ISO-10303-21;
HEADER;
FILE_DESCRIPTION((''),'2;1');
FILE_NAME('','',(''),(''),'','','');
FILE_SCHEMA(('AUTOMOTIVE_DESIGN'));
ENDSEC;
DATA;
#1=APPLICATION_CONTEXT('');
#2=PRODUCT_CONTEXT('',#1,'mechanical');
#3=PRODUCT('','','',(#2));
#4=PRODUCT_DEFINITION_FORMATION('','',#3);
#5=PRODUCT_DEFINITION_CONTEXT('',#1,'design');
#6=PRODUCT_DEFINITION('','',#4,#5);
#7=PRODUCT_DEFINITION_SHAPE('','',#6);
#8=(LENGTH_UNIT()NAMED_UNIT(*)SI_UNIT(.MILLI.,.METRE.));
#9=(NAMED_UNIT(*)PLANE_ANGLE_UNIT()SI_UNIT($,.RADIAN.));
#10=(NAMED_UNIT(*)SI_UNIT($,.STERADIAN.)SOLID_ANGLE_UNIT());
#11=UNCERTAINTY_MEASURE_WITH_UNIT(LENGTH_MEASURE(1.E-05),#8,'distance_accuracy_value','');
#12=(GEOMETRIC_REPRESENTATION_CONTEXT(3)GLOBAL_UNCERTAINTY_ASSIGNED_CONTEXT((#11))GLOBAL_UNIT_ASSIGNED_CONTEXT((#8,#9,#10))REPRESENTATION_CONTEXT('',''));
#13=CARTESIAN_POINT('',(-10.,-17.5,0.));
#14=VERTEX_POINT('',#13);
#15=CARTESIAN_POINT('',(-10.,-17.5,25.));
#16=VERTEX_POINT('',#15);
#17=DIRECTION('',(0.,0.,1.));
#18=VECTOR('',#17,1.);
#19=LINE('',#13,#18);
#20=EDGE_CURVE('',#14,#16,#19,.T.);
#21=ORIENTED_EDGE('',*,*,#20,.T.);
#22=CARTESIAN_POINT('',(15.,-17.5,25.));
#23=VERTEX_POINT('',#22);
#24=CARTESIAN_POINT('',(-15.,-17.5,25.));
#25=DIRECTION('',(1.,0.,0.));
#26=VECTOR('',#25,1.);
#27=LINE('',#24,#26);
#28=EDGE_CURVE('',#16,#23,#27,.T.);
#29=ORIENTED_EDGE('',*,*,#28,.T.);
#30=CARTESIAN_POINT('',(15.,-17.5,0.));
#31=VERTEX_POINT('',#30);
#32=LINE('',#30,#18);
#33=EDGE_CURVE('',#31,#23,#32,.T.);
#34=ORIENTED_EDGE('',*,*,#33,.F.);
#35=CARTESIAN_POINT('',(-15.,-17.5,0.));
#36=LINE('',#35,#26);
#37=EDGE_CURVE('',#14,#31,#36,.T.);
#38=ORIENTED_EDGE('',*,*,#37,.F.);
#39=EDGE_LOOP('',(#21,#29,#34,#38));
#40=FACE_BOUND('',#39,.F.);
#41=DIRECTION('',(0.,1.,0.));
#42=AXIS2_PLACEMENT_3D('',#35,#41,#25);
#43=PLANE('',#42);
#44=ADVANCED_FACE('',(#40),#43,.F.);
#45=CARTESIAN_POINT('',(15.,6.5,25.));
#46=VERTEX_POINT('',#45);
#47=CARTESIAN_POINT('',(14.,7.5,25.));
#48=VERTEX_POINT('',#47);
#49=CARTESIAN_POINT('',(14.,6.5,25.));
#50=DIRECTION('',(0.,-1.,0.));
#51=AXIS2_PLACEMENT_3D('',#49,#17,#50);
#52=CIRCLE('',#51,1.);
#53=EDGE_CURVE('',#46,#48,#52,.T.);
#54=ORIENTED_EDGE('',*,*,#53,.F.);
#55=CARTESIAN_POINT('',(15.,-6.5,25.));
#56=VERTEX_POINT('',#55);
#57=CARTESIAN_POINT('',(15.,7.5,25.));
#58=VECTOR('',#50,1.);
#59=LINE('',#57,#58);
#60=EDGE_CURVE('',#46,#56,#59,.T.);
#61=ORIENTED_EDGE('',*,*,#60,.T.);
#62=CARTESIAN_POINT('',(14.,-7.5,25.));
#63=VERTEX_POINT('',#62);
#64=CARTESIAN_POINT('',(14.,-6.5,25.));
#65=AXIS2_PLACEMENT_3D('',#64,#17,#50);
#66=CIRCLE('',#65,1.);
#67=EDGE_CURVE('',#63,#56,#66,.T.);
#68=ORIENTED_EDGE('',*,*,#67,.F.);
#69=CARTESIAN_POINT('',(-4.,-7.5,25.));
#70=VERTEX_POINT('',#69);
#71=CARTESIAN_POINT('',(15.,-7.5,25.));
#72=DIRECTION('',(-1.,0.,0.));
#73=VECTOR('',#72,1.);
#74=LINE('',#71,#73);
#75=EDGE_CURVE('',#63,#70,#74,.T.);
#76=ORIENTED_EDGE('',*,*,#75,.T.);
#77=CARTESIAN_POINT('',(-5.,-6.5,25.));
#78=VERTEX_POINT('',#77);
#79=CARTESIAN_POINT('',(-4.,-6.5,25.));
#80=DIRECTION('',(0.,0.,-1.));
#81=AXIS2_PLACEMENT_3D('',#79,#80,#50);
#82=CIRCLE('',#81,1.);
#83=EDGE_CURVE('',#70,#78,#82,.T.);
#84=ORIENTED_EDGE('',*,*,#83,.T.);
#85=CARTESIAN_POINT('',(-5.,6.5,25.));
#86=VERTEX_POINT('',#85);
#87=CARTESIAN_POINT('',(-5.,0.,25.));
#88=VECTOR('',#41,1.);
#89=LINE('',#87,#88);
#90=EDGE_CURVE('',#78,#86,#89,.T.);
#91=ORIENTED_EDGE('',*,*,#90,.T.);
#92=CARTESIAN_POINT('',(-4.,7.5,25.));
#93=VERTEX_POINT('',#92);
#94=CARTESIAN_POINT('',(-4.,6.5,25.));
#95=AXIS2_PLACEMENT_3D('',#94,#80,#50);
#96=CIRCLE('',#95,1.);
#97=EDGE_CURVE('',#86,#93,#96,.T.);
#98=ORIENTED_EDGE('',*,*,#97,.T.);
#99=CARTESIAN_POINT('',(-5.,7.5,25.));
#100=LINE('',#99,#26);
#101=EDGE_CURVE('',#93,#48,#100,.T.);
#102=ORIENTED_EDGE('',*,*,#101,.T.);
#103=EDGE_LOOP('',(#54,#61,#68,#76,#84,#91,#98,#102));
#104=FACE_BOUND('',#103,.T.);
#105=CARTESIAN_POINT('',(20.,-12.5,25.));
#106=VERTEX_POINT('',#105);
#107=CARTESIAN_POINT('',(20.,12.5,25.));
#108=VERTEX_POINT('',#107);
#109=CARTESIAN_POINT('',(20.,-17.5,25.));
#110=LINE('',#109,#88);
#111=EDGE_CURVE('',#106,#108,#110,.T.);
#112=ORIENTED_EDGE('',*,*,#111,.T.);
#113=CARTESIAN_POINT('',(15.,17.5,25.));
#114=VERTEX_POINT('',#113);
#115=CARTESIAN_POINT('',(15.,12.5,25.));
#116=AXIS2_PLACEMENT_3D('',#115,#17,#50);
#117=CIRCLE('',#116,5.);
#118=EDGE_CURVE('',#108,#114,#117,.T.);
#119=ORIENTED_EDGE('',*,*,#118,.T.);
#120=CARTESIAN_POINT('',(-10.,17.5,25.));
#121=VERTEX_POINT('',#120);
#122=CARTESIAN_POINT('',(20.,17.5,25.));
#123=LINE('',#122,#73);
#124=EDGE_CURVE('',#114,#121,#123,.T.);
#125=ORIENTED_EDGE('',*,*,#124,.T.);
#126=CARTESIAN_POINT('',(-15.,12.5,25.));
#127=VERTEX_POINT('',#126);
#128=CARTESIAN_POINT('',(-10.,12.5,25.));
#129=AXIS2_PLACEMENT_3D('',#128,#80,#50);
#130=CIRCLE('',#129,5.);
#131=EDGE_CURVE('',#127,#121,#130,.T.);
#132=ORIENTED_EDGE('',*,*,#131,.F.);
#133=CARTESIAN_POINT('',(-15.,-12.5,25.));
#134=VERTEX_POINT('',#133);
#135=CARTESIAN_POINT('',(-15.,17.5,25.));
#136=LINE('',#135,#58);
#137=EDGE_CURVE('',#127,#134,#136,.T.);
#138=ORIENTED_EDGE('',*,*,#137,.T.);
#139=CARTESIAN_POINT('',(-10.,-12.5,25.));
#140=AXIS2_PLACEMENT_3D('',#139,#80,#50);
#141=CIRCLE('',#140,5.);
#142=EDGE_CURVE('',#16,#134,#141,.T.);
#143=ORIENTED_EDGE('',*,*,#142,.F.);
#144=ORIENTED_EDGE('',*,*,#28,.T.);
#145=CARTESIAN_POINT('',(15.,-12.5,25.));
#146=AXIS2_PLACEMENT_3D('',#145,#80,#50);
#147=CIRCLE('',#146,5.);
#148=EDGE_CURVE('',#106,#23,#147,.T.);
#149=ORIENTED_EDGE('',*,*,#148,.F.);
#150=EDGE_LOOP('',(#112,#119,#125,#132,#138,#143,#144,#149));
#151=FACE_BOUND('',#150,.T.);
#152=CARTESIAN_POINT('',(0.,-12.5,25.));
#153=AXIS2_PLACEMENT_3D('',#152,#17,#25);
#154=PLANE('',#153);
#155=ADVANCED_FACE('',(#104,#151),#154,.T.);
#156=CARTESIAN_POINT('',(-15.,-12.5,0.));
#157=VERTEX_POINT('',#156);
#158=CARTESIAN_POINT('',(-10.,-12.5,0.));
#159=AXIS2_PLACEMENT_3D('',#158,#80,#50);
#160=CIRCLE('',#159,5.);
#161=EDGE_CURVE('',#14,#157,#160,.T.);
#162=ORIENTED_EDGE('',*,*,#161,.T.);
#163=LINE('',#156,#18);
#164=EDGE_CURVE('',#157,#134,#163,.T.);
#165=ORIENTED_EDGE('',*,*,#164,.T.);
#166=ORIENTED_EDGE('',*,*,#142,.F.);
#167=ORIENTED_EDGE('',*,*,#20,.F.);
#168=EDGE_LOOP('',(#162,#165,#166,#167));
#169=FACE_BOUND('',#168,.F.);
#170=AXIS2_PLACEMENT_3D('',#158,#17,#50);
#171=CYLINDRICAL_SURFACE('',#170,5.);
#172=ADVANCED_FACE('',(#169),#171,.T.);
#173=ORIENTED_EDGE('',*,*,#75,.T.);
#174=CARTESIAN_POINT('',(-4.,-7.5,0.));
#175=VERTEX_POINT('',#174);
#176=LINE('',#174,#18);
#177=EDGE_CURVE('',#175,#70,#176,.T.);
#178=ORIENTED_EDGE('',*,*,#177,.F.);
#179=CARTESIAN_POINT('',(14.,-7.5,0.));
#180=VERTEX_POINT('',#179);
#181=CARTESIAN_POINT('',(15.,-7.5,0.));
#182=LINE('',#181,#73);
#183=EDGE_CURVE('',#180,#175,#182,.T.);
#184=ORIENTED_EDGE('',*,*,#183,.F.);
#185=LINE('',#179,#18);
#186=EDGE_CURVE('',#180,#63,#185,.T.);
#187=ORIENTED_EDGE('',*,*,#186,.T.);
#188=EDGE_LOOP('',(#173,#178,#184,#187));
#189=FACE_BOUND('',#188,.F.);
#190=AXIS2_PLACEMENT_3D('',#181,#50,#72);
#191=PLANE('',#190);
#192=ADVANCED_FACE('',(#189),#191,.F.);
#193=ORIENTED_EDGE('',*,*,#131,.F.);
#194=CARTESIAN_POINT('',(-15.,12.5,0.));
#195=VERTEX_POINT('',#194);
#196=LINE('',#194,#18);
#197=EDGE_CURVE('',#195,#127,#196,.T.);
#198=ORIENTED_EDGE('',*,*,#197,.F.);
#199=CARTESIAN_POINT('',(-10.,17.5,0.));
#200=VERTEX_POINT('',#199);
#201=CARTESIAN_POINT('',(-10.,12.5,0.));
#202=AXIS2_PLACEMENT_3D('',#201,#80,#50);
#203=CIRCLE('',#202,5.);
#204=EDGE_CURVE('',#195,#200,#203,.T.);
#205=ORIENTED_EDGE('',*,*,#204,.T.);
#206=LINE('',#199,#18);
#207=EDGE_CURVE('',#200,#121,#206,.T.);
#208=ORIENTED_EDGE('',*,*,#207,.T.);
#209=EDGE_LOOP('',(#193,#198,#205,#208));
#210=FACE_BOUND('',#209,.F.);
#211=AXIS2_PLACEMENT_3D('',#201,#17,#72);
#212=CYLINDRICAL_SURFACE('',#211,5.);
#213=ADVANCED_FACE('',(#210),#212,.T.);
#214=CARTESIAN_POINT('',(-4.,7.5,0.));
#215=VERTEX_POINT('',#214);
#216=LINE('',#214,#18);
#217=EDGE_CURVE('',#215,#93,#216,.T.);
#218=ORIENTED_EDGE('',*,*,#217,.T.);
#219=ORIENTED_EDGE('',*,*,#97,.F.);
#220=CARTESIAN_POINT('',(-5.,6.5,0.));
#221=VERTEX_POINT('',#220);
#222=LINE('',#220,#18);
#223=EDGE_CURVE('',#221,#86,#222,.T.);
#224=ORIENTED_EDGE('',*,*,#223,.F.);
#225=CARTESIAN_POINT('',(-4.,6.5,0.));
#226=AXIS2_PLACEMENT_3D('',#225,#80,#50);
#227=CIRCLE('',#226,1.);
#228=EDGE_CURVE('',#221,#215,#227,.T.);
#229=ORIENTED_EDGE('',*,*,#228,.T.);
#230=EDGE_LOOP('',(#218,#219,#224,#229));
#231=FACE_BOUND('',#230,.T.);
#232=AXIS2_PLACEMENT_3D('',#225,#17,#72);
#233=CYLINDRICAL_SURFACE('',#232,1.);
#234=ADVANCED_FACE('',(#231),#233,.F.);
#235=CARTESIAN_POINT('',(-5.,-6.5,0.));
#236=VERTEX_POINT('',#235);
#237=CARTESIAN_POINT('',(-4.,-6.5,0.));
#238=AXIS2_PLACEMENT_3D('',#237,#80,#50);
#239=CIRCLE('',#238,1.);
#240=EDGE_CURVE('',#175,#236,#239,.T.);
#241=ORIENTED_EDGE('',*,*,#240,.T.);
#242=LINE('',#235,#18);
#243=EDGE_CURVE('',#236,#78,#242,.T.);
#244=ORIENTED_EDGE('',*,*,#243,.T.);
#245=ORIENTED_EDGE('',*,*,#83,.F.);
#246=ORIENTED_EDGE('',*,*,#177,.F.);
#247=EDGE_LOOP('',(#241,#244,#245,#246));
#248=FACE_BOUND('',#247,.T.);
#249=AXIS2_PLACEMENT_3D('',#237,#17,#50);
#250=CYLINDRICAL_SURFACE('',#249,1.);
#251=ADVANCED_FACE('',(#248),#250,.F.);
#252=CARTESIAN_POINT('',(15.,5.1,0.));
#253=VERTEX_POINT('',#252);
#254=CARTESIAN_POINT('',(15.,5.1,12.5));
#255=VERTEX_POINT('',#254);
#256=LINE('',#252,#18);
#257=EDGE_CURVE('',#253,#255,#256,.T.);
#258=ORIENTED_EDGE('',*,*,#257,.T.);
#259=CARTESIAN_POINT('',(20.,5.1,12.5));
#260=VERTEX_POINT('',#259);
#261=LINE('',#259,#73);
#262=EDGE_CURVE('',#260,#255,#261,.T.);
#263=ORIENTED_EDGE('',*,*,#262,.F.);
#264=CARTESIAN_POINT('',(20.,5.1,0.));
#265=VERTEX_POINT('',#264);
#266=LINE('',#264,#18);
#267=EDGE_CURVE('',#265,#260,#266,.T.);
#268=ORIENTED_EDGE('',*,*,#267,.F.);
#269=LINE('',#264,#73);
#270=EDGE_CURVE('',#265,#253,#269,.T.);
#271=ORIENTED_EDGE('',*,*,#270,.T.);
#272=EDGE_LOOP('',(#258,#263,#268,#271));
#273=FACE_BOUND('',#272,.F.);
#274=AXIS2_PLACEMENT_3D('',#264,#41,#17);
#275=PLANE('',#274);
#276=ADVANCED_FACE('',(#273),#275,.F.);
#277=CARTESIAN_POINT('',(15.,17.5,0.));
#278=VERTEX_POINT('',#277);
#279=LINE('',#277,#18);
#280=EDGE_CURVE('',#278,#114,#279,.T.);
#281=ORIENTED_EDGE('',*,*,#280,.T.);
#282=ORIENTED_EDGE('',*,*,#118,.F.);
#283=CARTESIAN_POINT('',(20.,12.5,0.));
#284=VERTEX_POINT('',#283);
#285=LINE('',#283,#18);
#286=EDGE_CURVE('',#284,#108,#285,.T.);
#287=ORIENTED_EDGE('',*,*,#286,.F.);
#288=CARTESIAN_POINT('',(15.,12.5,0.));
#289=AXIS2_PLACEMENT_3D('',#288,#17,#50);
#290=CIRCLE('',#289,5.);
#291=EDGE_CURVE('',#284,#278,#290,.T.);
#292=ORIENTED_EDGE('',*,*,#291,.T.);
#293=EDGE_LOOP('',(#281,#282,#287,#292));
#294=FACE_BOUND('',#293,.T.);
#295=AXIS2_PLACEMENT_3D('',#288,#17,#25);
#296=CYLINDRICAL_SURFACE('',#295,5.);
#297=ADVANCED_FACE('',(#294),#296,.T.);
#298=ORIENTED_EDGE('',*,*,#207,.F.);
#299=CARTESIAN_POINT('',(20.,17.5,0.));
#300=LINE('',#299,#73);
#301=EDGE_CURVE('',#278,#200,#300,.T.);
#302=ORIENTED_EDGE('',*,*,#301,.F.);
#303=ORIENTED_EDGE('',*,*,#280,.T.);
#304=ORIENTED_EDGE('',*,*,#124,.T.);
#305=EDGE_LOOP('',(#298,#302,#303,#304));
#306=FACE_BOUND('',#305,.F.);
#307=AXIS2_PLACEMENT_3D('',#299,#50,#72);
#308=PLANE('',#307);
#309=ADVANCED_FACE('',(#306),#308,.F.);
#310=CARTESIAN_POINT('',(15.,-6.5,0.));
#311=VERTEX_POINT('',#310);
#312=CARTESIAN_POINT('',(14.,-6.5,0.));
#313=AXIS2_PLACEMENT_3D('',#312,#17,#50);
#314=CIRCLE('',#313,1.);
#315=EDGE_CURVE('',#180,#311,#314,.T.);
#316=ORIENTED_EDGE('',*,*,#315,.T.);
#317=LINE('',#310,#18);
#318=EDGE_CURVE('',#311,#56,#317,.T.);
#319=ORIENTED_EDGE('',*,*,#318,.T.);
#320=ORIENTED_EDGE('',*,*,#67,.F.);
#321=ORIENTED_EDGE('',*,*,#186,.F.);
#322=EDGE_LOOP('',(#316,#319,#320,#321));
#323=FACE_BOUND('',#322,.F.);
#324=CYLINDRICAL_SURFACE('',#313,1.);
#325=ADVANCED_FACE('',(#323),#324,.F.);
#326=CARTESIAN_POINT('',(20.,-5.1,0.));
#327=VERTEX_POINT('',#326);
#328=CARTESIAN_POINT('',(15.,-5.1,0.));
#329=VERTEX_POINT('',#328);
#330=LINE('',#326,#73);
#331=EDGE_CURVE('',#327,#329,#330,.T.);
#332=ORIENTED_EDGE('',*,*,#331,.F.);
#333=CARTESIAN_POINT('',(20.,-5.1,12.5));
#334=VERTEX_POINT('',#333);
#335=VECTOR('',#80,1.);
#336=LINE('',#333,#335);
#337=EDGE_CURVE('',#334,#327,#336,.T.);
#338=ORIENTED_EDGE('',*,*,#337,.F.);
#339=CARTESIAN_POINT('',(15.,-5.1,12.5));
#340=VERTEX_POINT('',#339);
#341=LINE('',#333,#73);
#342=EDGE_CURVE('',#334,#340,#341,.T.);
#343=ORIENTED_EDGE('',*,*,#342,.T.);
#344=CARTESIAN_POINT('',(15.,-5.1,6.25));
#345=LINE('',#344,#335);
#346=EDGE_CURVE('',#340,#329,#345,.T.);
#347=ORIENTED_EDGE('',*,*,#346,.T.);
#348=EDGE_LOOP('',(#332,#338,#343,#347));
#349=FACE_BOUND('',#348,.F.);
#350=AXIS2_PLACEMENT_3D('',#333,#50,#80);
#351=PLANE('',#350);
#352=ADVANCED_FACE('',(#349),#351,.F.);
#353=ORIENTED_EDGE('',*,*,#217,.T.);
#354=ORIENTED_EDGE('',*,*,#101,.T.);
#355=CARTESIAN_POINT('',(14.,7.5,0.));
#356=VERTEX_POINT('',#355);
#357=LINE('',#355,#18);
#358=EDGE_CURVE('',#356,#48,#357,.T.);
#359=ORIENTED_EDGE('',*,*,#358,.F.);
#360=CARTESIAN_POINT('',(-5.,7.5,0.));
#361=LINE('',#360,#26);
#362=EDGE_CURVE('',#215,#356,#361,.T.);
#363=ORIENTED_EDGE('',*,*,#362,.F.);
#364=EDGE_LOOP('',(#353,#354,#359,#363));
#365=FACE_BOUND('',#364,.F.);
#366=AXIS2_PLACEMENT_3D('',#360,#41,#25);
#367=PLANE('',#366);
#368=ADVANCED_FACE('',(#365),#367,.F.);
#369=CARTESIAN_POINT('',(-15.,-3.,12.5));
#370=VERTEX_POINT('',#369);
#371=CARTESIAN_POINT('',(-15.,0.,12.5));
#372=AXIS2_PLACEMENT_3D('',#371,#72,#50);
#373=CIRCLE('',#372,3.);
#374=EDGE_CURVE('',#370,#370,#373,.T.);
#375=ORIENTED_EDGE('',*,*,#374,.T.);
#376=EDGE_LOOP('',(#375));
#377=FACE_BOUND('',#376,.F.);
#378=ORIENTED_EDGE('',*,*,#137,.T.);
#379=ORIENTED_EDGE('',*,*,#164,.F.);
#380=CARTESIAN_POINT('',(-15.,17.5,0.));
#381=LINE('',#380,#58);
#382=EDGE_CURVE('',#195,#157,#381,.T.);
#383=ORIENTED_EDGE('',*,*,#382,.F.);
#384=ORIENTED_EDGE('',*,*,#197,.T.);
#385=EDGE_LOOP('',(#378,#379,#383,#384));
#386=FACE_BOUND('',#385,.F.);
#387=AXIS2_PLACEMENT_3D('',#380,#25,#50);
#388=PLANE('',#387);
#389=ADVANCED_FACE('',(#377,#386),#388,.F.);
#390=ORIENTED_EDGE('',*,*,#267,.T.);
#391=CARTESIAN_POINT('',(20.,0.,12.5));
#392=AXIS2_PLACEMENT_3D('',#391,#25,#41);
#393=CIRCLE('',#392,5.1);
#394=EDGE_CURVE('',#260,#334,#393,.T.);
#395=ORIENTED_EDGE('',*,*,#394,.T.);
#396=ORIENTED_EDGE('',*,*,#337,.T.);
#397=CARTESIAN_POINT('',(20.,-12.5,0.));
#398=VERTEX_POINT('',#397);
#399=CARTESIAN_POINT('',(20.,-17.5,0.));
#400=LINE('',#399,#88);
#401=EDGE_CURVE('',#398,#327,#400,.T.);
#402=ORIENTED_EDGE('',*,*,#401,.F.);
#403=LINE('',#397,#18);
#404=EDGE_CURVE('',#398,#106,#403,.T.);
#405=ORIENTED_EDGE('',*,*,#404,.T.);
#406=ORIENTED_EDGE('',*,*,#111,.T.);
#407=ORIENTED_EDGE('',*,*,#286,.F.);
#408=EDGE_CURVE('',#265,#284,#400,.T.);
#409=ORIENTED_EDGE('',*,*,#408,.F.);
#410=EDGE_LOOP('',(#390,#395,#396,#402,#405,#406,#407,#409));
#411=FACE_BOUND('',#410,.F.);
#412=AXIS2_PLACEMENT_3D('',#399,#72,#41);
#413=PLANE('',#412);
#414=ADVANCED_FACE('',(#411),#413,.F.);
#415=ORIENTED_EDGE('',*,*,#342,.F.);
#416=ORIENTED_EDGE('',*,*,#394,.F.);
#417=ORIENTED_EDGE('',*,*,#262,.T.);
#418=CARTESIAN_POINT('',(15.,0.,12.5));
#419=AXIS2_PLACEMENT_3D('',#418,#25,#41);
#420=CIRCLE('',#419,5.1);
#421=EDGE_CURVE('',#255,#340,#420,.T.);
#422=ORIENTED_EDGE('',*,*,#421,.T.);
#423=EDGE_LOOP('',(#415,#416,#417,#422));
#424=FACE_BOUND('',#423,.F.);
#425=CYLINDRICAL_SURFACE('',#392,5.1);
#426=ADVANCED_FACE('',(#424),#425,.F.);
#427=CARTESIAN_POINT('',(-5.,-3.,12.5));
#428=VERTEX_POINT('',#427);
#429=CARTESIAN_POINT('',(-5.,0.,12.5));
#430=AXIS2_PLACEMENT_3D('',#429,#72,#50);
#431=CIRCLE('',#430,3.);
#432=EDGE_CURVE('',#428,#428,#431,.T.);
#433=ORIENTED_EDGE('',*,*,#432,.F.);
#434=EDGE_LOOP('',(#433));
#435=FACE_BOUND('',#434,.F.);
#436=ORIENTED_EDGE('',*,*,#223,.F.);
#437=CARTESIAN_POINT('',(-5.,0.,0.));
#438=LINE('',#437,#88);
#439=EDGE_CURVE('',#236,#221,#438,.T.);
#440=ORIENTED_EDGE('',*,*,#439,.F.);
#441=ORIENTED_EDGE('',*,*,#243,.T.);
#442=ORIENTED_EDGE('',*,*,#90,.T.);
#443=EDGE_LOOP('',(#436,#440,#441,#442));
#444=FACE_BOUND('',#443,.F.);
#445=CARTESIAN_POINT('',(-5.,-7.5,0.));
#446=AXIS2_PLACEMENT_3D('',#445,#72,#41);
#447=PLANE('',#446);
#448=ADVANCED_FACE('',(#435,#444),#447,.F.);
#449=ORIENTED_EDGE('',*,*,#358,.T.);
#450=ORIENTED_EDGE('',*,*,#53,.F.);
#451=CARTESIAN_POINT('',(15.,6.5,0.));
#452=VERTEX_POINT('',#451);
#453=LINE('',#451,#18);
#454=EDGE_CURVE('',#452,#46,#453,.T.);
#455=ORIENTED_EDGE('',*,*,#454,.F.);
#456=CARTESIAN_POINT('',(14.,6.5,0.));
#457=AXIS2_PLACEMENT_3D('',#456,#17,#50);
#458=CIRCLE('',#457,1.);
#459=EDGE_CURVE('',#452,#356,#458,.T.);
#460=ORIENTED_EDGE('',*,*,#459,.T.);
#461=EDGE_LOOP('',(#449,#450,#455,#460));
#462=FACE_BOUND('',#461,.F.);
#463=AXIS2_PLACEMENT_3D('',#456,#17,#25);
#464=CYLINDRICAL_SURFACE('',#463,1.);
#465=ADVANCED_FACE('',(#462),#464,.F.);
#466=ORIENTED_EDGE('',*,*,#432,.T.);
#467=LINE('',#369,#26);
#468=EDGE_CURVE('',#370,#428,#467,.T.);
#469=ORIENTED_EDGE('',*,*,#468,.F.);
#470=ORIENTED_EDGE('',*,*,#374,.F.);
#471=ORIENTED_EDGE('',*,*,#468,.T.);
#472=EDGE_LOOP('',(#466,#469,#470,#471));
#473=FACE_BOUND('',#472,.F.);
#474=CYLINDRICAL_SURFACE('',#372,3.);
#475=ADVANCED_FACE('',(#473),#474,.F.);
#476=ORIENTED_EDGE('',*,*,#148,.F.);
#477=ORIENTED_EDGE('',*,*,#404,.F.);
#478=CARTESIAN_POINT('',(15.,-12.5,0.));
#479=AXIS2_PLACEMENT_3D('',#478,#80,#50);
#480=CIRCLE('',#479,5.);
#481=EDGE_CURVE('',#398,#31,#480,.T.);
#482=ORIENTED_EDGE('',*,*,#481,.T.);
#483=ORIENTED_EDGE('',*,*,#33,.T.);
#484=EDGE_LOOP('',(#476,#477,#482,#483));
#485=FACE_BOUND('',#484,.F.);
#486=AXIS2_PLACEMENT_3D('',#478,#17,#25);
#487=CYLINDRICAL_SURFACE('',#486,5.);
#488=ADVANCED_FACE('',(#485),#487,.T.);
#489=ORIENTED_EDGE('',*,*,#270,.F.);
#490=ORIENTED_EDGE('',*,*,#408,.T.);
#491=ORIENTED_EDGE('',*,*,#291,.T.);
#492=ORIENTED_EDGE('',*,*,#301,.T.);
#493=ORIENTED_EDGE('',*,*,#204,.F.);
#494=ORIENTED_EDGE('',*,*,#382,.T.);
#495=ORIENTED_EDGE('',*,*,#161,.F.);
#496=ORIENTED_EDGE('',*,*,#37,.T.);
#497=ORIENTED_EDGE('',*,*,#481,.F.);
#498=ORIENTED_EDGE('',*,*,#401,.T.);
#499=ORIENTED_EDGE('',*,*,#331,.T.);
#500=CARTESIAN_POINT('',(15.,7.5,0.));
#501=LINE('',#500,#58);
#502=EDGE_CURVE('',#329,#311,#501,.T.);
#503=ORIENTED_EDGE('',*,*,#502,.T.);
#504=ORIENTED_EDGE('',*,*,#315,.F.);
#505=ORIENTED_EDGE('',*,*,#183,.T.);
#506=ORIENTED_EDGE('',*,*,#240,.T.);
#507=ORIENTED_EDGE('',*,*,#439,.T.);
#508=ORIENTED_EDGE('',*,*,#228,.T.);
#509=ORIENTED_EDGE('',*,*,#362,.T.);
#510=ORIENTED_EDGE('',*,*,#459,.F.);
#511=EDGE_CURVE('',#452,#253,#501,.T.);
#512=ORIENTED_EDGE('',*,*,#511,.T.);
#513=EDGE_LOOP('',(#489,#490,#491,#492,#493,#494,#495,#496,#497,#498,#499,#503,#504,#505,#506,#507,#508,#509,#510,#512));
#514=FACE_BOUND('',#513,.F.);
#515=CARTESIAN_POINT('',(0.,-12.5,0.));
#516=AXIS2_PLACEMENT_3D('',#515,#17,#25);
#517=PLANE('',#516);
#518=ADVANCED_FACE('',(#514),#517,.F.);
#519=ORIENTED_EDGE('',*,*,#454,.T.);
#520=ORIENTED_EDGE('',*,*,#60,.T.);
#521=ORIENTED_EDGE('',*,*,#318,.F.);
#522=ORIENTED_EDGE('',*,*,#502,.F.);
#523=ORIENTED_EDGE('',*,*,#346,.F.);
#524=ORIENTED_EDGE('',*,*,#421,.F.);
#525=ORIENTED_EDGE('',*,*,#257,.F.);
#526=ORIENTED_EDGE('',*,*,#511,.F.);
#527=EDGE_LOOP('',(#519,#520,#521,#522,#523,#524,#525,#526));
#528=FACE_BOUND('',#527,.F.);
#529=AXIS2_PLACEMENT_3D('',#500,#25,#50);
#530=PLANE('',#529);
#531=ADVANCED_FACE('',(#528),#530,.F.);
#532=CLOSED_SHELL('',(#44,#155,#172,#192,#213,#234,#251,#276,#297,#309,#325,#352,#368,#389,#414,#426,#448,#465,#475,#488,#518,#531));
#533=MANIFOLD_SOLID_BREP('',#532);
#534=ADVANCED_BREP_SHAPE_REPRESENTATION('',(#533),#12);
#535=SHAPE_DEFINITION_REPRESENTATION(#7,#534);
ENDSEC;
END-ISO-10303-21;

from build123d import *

# Parameters (mm, degrees)
F0_W     = 10
F0_H     = 15
F0_W_2   = 5
F0_H_2   = 10.2
F1_DEPTH = 25
F3_DEPTH = 15
F4_R     = 3
F5_DEPTH = 25
F6_R     = 1
F7_R     = 5


with BuildPart() as f1:
    # F0 (on Top) → F1 (new body)
    with BuildSketch(Plane.XY):
        Polygon((15, -17.5), (15, -7.5), (-5, -7.5), (-15, -7.5), (-15, -17.5), align=None)
        with Locations((-10, 0)):
            Rectangle(F0_W, F0_H)
        Polygon((-15, 7.5), (-5, 7.5), (15, 7.5), (15, 17.5), (-15, 17.5), align=None)
        Polygon((15, 7.5), (15, 5.1), (20, 5.1), (20, 17.5), (15, 17.5), align=None)
        with Locations((17.5, 0)):
            Rectangle(F0_W_2, F0_H_2)
        Polygon((15, -5.1), (15, -7.5), (15, -17.5), (20, -17.5), (20, -5.1), align=None)
    extrude(amount=F1_DEPTH)

    # F2 (on face) → F3 (cut)
    with BuildSketch(Plane.YZ.offset(20)):
        with BuildLine():
            ThreePointArc((-5.1, 12.5), (0, 7.4), (5.1, 12.5))
            ThreePointArc((5.1, 12.5), (0, 17.6), (-5.1, 12.5))
        make_face()
        with BuildLine():
            Line((5.1, 0), (5.1, 12.5))
            ThreePointArc((5.1, 12.5), (0, 7.4), (-5.1, 12.5))
            Line((-5.1, 12.5), (-5.1, 0))
            Line((-5.1, 0), (5.1, 0))
        make_face()
    extrude(amount=-F3_DEPTH, mode=Mode.SUBTRACT)

    # F4 (on face) → F5 (cut)
    with BuildSketch(Plane(origin=(-15, 0, 0), x_dir=(0, -1, 0), z_dir=(-1, 0, 0))):
        with Locations((0, 12.5)):
            Circle(F4_R)
    extrude(amount=-F5_DEPTH, mode=Mode.SUBTRACT)

    # F6
    f6_edges = [f1.edges().sort_by_distance(p)[0] for p in [
        (15, -7.5, 12.5),
        (15, 7.5, 12.5),
        (-5, -7.5, 12.5),
        (-5, 7.5, 12.5),
    ]]
    fillet(f6_edges, radius=F6_R)

    # F7
    f7_edges = [f1.edges().sort_by_distance(p)[0] for p in [
        (20, 17.5, 12.5),
        (20, -17.5, 12.5),
        (-15, -17.5, 12.5),
        (-15, 17.5, 12.5),
    ]]
    fillet(f7_edges, radius=F7_R)


solid = f1.part
